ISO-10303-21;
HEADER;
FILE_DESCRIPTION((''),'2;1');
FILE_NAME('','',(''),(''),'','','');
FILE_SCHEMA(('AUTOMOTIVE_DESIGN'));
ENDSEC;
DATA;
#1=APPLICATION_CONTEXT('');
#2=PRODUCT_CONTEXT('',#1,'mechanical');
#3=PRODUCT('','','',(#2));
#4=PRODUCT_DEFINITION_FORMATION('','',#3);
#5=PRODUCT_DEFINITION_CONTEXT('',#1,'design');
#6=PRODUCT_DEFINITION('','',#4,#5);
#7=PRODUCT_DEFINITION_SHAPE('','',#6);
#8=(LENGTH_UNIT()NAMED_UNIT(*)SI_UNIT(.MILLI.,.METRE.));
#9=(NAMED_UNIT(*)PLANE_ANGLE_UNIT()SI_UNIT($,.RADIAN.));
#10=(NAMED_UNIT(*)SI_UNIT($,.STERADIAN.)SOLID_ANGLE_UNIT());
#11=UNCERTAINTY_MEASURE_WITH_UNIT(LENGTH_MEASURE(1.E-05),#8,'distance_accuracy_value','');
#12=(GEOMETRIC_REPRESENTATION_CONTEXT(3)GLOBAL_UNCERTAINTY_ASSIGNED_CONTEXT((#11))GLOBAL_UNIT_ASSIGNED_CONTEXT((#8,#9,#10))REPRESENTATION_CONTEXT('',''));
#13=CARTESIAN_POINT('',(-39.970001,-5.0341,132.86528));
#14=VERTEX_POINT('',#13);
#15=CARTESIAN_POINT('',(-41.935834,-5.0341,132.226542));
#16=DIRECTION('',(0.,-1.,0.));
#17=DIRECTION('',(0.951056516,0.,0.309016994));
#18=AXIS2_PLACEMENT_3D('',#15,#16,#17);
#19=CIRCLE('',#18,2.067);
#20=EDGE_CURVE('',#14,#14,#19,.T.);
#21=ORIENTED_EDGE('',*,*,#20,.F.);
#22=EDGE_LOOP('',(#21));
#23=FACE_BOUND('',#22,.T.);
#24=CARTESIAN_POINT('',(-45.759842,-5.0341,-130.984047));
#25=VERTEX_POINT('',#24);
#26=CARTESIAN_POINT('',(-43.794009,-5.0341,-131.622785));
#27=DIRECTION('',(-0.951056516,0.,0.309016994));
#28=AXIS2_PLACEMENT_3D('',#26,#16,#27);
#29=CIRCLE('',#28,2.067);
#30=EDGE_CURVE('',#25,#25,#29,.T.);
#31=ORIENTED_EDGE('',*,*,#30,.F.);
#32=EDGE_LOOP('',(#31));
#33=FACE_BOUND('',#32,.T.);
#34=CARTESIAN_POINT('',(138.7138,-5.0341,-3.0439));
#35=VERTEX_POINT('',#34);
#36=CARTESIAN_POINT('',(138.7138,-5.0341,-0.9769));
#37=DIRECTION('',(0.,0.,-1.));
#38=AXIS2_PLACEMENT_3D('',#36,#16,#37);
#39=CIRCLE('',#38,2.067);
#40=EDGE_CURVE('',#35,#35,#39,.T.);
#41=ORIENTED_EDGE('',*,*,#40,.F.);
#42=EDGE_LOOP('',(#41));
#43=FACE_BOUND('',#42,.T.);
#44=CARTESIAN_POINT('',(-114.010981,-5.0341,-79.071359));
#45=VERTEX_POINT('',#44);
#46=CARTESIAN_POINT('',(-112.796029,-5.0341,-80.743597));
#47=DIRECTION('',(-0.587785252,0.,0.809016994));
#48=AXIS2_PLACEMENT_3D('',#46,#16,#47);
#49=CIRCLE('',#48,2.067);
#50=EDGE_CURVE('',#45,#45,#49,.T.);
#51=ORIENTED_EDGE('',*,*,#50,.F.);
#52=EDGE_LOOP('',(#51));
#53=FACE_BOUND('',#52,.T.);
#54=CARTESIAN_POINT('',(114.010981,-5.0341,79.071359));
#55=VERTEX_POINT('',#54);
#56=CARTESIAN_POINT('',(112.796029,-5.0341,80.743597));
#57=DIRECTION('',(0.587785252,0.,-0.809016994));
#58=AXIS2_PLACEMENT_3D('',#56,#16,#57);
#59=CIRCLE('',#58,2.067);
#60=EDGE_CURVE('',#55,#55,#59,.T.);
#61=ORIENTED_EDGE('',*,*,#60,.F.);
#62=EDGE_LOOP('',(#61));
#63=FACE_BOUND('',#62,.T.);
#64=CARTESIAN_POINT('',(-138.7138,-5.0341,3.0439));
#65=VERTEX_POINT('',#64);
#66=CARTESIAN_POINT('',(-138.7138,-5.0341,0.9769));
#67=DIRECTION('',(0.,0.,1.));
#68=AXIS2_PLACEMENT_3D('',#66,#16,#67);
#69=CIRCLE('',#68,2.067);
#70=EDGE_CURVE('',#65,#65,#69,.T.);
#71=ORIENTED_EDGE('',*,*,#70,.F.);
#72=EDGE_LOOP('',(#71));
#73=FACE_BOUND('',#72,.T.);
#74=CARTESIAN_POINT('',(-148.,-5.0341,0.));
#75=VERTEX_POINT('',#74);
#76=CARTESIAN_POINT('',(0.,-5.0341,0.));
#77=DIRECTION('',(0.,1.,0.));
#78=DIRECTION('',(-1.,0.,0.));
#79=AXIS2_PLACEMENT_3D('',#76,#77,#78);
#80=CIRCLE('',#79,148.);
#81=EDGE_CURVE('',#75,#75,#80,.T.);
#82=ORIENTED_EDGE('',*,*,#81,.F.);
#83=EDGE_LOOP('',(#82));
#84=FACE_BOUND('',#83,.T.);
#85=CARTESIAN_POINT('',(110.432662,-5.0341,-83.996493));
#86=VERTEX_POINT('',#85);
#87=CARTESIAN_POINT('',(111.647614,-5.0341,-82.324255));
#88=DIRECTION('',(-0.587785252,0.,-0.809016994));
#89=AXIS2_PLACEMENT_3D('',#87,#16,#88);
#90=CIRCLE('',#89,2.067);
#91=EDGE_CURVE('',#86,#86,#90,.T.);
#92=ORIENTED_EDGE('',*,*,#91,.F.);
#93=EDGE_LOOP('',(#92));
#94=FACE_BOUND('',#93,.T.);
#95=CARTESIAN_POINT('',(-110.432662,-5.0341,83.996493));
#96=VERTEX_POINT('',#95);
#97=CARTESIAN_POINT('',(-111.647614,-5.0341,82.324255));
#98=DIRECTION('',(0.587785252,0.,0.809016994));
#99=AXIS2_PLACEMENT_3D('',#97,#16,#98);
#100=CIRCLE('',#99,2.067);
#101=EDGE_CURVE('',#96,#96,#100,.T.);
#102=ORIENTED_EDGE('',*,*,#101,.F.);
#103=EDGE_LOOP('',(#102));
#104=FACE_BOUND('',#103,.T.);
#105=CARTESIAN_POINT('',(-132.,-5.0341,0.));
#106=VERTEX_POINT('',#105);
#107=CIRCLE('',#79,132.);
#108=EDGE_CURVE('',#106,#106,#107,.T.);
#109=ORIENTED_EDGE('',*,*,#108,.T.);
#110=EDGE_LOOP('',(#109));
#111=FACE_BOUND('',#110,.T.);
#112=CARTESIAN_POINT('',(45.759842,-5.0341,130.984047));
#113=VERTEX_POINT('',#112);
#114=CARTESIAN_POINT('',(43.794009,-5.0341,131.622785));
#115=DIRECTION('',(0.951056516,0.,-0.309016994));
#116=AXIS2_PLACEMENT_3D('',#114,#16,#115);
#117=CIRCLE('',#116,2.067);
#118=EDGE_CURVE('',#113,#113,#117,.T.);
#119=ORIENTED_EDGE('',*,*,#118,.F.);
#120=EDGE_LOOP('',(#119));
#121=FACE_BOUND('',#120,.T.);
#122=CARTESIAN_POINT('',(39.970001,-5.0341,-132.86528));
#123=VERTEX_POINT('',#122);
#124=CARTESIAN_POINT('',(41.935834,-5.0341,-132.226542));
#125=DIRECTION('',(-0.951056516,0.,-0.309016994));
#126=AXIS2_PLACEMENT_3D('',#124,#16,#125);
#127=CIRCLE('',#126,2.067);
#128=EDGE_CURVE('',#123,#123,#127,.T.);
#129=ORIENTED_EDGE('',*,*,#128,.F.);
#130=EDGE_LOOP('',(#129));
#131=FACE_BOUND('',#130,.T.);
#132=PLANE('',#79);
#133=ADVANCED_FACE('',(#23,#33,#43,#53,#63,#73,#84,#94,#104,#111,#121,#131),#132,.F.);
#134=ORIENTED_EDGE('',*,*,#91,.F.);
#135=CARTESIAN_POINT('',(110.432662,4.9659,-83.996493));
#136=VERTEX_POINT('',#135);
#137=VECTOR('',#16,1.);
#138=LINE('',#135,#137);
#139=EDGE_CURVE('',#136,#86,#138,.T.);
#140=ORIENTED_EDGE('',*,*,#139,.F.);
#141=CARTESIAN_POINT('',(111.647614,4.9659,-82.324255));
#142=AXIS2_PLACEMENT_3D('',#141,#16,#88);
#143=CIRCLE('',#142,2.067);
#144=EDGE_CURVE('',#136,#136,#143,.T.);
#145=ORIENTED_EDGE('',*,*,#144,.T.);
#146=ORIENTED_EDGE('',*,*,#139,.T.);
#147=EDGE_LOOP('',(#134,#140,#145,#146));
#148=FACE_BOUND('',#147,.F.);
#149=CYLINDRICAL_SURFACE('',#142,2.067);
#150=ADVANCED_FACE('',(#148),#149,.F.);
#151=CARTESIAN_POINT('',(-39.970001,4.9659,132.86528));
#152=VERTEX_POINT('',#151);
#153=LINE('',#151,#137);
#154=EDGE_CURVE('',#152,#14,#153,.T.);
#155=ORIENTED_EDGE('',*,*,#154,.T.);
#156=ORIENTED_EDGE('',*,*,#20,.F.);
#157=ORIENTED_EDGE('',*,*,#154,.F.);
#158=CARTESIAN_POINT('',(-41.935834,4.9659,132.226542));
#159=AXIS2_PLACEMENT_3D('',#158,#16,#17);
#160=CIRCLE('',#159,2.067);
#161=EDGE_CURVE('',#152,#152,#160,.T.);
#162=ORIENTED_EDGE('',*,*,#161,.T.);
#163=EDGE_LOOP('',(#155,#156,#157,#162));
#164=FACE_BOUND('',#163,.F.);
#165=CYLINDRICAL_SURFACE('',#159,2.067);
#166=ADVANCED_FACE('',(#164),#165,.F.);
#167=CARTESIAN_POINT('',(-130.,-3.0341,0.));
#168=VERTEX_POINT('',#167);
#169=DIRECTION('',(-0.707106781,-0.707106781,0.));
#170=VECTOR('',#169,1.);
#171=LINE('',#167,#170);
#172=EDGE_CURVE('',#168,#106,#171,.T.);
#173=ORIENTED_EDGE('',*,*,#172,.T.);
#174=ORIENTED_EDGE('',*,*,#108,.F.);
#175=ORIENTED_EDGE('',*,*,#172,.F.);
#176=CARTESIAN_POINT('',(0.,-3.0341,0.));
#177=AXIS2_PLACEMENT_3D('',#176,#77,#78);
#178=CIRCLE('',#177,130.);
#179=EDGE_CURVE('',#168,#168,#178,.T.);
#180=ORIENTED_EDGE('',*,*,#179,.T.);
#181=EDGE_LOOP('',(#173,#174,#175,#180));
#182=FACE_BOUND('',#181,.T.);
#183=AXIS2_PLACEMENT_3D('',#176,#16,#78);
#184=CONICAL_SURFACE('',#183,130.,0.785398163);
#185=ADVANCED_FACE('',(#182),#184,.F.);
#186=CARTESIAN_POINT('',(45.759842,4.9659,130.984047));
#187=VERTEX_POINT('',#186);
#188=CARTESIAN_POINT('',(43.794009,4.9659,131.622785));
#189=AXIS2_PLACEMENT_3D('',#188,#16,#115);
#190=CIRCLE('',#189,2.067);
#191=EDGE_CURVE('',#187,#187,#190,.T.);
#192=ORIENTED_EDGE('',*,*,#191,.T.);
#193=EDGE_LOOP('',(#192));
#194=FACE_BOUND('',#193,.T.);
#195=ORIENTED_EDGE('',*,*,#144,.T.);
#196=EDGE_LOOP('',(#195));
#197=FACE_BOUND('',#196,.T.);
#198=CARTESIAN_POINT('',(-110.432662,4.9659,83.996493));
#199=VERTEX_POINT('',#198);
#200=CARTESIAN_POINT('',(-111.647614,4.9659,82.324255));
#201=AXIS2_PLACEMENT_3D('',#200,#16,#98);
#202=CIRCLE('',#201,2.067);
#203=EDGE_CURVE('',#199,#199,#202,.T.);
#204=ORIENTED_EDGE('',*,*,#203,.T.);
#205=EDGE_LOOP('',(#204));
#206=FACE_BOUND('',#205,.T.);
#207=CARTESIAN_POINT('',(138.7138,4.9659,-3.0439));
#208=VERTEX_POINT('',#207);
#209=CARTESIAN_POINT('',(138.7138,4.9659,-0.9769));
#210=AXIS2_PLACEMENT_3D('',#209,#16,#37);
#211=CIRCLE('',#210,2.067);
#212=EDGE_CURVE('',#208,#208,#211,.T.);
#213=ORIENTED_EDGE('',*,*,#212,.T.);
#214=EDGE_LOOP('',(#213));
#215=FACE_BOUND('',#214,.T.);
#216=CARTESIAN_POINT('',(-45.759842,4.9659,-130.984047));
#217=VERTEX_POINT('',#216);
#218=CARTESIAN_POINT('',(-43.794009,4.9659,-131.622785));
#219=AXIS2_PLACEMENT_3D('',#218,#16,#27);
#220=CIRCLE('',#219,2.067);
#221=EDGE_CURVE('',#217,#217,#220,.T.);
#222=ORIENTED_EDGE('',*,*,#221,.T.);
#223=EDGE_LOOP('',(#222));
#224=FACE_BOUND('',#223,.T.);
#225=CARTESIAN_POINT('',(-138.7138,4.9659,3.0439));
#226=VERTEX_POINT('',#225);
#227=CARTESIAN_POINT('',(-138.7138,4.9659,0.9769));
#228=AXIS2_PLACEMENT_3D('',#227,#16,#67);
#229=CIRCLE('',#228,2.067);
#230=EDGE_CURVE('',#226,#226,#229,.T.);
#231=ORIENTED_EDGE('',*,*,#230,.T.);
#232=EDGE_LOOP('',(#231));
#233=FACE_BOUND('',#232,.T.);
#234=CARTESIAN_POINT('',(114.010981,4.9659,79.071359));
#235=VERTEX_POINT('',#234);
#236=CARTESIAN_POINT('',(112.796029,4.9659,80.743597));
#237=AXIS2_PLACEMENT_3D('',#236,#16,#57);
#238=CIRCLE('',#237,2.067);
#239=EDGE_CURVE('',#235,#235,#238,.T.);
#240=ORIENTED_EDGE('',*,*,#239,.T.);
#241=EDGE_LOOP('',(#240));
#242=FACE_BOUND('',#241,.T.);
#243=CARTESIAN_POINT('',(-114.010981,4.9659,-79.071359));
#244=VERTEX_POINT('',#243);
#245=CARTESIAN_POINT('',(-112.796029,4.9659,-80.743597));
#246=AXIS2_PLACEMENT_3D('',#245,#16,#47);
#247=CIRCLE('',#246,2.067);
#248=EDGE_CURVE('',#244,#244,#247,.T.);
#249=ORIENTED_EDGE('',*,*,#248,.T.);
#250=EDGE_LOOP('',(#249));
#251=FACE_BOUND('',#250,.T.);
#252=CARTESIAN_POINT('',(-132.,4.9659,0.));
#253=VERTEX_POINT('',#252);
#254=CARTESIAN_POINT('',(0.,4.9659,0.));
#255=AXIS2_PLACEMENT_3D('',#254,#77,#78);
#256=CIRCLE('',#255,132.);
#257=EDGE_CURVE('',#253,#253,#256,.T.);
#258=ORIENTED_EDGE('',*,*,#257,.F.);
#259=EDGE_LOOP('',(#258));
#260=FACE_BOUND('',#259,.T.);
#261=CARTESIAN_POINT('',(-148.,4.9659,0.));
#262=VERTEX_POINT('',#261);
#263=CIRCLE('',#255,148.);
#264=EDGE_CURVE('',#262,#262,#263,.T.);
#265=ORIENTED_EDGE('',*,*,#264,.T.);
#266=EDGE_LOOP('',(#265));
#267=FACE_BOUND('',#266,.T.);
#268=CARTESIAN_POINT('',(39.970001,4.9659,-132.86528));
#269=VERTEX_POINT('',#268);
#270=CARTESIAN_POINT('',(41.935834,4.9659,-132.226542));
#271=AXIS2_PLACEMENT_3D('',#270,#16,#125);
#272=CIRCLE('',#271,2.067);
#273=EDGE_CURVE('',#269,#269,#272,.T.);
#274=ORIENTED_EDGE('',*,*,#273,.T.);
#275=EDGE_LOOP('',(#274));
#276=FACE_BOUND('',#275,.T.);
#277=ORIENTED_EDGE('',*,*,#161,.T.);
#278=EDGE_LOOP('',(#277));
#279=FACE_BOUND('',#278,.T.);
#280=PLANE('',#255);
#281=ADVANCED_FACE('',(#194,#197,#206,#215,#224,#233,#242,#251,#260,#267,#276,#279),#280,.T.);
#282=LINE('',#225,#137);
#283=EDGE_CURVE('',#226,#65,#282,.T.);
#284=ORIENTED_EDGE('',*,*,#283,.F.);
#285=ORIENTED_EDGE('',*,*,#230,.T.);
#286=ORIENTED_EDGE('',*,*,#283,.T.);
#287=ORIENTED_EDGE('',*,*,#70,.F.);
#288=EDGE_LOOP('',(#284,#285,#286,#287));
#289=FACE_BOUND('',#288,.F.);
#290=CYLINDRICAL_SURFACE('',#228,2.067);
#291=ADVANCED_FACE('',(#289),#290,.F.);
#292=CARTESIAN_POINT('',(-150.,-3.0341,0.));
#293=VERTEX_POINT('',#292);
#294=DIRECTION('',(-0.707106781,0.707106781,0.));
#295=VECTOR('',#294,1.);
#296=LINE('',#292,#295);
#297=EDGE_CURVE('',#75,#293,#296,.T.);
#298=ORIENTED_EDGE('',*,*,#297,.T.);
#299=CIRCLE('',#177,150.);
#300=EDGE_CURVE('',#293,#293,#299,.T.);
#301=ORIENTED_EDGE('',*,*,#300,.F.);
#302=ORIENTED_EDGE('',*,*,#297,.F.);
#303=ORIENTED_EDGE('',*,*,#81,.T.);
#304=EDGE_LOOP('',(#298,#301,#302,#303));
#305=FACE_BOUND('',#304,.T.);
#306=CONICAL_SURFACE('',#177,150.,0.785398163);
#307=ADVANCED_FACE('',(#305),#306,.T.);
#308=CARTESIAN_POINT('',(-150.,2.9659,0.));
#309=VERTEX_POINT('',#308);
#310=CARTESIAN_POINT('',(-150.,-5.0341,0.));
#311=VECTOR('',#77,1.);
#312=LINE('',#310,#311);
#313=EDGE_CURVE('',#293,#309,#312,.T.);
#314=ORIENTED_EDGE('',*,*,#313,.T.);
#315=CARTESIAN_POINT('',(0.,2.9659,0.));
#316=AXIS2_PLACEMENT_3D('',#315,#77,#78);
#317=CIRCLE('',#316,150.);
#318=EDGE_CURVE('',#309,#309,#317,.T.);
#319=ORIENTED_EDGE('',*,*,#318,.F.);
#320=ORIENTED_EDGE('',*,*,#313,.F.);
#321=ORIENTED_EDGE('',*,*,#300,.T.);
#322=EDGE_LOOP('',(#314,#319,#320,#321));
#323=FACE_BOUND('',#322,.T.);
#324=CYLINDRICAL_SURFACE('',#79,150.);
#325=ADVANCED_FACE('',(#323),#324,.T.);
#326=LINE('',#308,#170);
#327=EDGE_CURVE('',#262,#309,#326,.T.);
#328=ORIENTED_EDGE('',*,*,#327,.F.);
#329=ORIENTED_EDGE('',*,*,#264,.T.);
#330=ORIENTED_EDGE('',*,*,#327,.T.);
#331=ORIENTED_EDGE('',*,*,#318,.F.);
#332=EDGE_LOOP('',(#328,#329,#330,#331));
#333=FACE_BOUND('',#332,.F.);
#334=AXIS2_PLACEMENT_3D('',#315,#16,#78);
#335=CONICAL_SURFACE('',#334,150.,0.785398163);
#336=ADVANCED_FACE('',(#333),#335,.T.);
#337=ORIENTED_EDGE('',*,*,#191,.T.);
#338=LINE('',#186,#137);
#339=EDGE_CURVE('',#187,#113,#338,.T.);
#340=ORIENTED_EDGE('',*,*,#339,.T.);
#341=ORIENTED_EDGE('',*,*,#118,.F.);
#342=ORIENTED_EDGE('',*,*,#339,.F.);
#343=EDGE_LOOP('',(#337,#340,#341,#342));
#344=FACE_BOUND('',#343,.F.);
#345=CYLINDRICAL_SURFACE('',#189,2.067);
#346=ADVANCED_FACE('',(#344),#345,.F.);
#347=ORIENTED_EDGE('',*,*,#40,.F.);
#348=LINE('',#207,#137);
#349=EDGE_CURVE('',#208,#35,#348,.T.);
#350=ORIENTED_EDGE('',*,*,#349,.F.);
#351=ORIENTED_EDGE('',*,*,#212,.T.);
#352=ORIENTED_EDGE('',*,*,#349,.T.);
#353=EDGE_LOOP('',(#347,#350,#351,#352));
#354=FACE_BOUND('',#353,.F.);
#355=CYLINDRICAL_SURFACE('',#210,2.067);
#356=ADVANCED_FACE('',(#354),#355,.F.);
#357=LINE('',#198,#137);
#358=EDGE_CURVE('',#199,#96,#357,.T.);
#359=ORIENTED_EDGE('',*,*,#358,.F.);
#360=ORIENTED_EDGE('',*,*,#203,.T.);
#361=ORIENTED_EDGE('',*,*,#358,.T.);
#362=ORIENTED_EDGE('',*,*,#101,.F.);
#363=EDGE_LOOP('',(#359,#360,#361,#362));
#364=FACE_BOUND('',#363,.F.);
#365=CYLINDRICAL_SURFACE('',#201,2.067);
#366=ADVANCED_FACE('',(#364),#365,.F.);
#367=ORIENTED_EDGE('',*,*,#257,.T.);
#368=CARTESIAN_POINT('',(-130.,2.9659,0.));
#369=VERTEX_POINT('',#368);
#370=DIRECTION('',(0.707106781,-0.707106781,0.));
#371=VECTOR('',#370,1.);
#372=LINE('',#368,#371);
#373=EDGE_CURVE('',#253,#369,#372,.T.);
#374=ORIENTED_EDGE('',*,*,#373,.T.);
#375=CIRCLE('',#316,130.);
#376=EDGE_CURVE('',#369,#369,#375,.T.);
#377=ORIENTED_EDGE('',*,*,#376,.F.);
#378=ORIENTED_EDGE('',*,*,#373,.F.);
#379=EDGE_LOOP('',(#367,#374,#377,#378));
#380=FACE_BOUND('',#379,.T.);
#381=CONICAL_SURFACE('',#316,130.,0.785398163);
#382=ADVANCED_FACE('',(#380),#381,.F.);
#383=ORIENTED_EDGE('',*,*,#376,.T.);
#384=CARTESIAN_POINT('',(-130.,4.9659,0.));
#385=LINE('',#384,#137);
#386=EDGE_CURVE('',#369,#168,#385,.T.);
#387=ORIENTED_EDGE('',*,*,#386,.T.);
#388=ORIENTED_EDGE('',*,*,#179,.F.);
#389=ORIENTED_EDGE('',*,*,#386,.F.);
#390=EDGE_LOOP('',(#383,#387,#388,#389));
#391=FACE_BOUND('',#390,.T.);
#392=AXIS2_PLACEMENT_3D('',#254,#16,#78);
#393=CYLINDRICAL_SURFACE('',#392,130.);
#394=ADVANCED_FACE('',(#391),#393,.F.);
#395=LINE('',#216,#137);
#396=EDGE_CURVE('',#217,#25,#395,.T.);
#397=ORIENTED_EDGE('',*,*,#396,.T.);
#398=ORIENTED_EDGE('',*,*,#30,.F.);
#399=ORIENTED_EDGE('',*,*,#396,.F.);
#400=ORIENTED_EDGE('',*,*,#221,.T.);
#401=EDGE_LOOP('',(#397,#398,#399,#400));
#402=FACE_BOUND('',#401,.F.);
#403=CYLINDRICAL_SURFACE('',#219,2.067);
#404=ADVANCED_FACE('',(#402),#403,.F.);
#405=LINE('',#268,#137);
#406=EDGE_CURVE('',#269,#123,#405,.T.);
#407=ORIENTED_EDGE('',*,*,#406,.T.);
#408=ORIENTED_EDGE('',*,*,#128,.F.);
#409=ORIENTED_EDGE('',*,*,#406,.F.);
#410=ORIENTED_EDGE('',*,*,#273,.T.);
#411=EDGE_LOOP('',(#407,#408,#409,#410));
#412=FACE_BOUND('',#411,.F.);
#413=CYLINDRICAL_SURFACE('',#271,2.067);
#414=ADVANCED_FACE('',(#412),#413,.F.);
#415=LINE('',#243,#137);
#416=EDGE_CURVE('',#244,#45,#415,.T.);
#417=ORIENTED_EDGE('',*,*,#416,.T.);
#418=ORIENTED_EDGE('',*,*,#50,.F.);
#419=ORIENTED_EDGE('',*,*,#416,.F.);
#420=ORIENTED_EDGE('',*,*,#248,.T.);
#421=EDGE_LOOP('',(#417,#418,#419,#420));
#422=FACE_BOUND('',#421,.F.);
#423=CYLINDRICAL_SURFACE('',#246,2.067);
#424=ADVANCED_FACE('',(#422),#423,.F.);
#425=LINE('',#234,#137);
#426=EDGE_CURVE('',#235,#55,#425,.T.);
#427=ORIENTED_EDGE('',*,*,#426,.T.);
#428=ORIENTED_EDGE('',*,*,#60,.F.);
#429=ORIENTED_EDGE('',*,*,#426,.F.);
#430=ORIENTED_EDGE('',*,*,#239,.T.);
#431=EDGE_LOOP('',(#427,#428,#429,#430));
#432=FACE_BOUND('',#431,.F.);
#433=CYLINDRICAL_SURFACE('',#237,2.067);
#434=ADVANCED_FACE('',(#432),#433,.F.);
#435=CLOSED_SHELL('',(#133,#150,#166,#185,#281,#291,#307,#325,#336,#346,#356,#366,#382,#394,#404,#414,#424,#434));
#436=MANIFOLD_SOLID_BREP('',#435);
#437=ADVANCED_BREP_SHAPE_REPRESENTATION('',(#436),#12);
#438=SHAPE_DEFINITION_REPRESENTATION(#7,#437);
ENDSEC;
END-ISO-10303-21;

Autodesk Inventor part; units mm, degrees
ref_plane "YZ Plane" through (0, 0, 0) normal (1, 0, 0) x (0, 1, 0)
ref_plane "XZ Plane" through (0, 0, 0) normal (0, 1, 0) x (-1, 0, 0)
ref_plane "XY Plane" through (0, 0, 0) normal (0, 0, 1) x (1, 0, 0)
sketch "Boceto1" plane through (0, 0, 0) normal (0, 0, 1) x (1, 0, 0)
  line L0 (-150, 4.9659) -> (-130, 4.9659)
  line L1 (-130, 4.9659) -> (-130, -5.0341)
  line L2 (-130, -5.0341) -> (-150, -5.0341)
  line L3 (-150, -5.0341) -> (-150, 4.9659)
  line L4 (0, 0) -> (0, 54.3262)
  dimension "d0" = 20
  dimension "d1" = 10
  dimension "d2" = 150
revolve "Revolución1" add sketch "Boceto1" angle 360 about axis through (0, 0, 0) along (0, 1, 0)
chamfer "Chaflán1" distance 2 angle 45 4 edges at (150, 4.9659, 0) (130, 4.9659, 0) (150, -5.0341, 0) (130, -5.0341, 0)
sketch "Boceto2" plane through (0, 4.9659, 0) normal (0, 1, 0) x (1, 0, 0)
  point P0 (0, 0)
  point P1 (-138.7138, -0.9769)
hole "Agujero1" at (-138.7138, 4.9659, 0.9769) direction (0, -1, 0) diameter 4.134 end through all thread size "M5x0.8" class "6H" standard "ISO Metric profile"
pattern_circular "Patrón circular1" count 10 over 360 about axis through (0, -10, 0) along (0, 1, 0) of "Agujero1"
equation "\"d12\" = Grosor"
equation "\"Radio_pliegue\" = Grosor"
equation "\"Anchura_desahogo_plegado\" = Grosor"
equation "\"Profundidad_desahogo_plegado\" = 0.5 * Grosor"
equation "\"Tamaño_destalonado\" = 4 * Grosor"
equation "\"Remanente_mínimo\" = 2 * Grosor"
equation "\"Radiodetransición\" = Radio_pliegue"
equation "\"Tamaño_de_radio_de_Jacobi\" = Radio_pliegue"
equation "\"TamañoSeparación\" = Grosor"
equation "\"Grosor\" = 0.5"
